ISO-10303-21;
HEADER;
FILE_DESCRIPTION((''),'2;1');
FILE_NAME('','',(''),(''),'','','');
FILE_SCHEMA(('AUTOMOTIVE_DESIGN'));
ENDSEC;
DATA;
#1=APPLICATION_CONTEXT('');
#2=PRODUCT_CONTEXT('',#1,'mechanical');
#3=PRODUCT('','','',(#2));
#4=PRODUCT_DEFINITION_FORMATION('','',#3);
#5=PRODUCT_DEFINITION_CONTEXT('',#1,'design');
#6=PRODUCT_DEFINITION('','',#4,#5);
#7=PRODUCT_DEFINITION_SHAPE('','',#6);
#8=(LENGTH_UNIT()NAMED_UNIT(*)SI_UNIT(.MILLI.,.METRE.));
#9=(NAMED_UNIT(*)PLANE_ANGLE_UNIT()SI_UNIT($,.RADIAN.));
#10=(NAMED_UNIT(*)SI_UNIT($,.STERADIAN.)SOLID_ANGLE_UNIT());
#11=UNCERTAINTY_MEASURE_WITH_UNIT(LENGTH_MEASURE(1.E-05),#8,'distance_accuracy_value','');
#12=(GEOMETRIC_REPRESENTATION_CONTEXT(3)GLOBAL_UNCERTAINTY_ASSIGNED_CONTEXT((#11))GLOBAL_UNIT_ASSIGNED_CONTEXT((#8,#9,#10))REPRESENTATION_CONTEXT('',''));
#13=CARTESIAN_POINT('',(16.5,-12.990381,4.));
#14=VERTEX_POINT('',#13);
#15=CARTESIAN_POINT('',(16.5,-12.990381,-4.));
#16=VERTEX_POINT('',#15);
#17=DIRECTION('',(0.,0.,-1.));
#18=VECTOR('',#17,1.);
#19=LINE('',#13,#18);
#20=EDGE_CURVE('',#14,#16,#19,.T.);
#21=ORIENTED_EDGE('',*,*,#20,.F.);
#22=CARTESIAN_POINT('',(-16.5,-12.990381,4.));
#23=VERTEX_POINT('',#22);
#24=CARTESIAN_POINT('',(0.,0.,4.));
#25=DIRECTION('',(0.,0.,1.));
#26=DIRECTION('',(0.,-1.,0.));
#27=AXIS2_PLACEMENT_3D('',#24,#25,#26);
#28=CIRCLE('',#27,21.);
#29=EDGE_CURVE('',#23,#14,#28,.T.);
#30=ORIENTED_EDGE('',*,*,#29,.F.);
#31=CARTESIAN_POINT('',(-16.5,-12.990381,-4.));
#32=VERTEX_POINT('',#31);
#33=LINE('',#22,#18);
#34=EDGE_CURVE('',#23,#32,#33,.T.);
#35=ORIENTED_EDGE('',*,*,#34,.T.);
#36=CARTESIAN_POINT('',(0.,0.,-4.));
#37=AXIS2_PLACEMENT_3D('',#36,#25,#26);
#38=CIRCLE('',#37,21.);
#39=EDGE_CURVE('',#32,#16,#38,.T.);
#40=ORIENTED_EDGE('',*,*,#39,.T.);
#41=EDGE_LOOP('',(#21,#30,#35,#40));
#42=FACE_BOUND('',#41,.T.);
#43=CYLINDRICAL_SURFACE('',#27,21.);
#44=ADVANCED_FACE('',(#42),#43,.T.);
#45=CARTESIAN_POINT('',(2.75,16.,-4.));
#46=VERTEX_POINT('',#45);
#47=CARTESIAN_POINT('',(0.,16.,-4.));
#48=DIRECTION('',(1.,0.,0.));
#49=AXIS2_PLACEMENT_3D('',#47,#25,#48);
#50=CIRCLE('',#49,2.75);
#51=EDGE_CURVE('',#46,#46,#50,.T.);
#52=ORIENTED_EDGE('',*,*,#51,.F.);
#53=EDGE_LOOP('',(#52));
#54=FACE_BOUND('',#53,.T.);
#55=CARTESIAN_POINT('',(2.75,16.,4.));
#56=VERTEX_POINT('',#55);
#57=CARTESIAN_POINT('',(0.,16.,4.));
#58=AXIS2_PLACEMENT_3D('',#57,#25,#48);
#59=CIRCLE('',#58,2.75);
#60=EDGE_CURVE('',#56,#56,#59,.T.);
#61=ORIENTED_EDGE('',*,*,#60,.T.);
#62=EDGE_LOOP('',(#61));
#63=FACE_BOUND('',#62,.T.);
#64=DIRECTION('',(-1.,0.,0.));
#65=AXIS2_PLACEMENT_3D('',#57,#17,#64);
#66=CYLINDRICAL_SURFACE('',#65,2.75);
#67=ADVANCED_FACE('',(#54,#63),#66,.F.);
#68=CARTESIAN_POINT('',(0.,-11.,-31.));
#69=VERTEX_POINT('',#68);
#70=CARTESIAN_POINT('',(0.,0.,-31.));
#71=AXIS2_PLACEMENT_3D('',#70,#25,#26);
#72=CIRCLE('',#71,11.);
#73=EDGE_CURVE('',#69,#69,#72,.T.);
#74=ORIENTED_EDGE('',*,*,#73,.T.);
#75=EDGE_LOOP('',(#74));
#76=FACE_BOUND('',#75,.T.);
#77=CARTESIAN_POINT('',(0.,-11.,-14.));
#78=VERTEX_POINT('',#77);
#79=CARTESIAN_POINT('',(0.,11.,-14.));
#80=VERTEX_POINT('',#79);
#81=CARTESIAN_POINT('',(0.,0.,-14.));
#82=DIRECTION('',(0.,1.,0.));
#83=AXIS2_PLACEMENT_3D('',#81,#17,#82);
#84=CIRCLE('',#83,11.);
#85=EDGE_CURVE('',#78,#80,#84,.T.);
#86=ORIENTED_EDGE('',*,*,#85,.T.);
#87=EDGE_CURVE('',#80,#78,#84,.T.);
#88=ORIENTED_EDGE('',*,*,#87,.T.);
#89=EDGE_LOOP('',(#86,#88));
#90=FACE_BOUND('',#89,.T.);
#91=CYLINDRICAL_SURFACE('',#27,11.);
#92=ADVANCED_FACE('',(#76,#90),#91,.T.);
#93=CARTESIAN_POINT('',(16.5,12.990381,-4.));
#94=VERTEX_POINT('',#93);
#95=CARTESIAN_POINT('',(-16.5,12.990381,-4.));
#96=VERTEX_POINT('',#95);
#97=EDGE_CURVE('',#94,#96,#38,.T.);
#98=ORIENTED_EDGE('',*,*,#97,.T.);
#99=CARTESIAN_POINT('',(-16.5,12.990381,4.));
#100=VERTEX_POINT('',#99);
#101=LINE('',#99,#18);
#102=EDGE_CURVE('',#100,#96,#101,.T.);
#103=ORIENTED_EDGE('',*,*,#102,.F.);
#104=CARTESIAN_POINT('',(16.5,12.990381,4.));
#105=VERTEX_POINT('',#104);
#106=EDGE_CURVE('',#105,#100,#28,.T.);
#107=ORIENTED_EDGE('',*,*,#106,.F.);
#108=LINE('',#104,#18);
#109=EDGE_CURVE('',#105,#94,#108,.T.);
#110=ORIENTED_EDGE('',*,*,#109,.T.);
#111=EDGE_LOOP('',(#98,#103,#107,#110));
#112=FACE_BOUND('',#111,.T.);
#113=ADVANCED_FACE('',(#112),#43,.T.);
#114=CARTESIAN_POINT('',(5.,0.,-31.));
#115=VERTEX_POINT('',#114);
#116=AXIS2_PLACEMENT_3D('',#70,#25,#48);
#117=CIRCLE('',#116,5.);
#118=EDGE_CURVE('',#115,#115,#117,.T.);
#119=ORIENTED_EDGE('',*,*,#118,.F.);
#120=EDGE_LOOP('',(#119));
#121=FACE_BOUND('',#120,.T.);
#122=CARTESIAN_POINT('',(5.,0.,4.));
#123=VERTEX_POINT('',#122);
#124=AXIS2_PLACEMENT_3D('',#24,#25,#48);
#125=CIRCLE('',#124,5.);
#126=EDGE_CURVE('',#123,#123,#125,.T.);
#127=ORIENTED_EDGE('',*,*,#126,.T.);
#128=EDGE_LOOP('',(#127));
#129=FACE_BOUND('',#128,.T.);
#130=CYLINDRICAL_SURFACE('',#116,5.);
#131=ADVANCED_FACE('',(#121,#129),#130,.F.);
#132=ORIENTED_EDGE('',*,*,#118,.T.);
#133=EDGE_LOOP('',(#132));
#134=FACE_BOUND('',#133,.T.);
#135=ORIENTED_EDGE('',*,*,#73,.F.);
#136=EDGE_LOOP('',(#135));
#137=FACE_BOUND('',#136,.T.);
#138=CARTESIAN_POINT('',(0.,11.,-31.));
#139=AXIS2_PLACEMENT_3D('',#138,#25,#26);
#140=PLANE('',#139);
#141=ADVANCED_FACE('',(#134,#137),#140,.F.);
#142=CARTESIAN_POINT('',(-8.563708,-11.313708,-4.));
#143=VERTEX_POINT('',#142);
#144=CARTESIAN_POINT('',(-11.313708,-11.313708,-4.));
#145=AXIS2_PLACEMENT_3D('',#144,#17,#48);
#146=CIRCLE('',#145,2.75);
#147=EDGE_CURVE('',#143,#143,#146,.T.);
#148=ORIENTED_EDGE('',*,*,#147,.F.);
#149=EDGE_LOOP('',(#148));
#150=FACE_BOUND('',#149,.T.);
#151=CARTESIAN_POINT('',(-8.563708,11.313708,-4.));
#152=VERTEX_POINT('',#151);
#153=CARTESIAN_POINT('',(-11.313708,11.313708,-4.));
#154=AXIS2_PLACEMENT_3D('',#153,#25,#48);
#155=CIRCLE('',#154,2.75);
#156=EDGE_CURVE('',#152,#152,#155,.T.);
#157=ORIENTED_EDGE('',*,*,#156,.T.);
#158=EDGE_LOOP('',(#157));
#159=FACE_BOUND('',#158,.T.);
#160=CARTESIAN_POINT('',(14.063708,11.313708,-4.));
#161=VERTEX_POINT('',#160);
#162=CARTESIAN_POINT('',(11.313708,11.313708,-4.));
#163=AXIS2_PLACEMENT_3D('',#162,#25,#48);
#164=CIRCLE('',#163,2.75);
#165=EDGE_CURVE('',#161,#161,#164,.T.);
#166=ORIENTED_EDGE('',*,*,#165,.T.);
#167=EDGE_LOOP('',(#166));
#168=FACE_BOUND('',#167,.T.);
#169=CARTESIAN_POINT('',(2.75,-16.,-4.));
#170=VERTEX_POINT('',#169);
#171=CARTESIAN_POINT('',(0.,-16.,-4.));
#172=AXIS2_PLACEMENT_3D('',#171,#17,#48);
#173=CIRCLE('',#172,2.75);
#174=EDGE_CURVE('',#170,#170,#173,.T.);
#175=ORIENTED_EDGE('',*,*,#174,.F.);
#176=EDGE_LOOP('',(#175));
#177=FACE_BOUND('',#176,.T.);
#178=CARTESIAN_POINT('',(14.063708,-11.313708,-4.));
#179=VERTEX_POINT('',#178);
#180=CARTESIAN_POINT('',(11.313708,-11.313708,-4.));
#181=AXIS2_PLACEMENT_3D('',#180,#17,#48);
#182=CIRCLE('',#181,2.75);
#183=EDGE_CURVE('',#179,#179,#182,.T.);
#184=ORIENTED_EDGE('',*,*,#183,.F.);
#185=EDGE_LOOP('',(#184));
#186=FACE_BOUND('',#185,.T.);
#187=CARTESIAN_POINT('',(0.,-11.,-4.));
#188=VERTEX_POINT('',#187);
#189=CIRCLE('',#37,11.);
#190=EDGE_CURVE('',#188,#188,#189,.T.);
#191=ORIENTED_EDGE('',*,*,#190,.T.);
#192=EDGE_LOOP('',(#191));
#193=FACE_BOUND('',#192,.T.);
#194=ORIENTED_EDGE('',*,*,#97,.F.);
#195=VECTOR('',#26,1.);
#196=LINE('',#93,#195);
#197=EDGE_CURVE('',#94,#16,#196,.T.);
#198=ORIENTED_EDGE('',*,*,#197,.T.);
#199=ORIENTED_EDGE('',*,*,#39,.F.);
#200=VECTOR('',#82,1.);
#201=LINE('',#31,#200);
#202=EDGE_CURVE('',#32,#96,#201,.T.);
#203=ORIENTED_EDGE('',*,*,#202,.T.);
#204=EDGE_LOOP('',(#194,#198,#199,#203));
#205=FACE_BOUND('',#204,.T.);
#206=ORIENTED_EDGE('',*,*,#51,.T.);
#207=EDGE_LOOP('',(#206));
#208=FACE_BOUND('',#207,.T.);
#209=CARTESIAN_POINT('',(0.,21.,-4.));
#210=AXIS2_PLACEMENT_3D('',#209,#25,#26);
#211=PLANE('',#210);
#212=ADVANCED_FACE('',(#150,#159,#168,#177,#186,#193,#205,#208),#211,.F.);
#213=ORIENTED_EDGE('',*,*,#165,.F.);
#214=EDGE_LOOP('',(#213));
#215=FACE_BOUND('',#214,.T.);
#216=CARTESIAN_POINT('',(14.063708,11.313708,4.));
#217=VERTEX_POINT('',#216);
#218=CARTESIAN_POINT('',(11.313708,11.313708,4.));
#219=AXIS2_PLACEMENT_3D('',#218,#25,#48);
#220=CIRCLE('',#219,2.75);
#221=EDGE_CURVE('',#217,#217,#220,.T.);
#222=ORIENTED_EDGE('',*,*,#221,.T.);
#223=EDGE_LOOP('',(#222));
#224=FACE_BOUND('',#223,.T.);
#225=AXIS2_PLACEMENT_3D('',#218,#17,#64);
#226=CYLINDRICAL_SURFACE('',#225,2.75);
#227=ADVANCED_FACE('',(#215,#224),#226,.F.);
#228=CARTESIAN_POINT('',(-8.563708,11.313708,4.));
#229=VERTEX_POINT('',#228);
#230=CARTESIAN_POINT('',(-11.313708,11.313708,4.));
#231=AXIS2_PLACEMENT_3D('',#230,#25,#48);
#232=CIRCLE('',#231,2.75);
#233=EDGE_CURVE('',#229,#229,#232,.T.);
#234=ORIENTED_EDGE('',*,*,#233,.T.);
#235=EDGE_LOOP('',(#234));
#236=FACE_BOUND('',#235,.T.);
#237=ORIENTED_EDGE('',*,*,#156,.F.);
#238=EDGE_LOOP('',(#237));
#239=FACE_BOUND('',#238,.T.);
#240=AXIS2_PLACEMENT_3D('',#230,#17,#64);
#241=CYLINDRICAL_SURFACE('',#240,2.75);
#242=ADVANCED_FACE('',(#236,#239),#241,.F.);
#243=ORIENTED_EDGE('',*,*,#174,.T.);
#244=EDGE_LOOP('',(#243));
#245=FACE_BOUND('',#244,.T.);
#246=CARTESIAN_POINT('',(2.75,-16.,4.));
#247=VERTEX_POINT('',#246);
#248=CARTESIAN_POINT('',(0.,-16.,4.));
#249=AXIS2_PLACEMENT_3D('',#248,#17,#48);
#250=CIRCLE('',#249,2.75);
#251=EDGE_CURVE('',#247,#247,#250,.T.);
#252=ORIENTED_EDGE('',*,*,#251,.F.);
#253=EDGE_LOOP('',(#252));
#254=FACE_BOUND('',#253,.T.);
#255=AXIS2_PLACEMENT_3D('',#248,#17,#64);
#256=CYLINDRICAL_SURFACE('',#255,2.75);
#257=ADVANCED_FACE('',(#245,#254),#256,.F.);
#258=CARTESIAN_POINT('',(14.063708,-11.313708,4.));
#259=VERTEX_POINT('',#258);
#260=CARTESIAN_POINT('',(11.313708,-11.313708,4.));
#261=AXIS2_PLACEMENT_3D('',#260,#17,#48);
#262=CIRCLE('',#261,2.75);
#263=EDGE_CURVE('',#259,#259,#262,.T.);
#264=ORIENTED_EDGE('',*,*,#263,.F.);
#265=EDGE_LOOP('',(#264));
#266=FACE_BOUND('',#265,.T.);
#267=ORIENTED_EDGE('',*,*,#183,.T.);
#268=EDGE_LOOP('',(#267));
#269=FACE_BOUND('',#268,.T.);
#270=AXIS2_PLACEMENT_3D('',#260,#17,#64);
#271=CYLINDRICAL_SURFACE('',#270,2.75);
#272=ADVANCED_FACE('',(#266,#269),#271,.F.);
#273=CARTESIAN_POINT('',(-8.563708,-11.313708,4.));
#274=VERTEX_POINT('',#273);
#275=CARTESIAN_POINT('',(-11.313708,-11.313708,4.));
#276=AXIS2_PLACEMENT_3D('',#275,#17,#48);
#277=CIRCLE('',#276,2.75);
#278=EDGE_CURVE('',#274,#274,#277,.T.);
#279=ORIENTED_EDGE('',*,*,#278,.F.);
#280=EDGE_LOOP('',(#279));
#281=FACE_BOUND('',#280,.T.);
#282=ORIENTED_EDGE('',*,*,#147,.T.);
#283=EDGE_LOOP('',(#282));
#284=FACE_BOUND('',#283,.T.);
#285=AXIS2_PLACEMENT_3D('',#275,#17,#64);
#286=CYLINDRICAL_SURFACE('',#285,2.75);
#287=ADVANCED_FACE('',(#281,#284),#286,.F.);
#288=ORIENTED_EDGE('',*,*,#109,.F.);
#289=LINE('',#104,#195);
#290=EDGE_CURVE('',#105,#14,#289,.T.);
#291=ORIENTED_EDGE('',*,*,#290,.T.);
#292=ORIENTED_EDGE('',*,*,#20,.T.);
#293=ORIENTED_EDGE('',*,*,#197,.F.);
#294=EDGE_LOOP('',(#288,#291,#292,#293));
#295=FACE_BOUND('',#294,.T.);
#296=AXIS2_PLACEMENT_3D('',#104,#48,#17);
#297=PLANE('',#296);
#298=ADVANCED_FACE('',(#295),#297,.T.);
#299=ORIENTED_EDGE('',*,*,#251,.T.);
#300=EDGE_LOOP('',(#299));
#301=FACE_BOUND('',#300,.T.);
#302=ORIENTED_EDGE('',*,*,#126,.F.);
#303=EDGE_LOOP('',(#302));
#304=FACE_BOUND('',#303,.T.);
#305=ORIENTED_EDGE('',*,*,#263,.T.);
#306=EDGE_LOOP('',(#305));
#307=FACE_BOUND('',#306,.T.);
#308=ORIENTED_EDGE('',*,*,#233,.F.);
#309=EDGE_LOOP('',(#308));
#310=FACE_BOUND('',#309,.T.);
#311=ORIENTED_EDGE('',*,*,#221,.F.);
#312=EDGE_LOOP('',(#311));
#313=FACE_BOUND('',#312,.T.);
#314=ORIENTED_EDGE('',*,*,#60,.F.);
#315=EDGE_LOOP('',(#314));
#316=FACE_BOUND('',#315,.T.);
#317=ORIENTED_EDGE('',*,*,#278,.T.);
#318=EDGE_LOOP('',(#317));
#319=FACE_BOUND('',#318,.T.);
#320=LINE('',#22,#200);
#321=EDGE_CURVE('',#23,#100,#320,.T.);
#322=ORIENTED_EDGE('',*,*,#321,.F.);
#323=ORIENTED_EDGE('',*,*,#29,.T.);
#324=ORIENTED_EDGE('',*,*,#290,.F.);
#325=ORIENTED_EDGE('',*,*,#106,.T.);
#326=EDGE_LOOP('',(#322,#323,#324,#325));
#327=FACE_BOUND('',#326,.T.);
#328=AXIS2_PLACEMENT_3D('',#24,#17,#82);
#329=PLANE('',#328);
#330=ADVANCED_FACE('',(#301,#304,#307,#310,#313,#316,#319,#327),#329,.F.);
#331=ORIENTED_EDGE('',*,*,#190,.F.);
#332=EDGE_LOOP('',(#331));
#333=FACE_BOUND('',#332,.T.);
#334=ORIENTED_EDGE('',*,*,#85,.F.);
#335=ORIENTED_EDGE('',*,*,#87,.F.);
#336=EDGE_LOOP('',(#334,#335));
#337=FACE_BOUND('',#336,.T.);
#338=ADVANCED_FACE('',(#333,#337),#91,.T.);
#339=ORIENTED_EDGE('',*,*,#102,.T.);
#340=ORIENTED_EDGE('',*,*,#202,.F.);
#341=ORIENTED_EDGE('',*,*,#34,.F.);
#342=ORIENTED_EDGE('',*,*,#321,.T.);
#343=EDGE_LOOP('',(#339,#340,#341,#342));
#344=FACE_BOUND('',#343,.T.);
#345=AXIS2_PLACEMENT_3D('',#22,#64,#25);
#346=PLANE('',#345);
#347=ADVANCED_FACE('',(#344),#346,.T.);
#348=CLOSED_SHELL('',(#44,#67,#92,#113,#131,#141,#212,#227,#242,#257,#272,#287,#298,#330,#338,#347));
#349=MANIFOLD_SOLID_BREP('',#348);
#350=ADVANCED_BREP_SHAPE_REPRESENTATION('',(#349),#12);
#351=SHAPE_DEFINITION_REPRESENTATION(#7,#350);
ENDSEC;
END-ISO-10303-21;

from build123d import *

# Parameters (mm, degrees)
CUT_EXTRUDE_START        = -4
CUT_EXTRUDE_7_DEPTH      = 8
SKETCH_5_R               = 2.75
CUT_EXTRUDE_2_DEPTH      = 8
SKETCH_6_R               = 2.75
CUT_EXTRUDE_3_DEPTH      = 8
CUT_EXTRUDE_5_DEPTH      = 41.917600125
CUT_EXTRUDE_5_DEPTH_BACK = 41.917600125
SKETCH_8_R               = 5
EXTRUDE_START            = -75
SKETCH_10_R              = 5
EXTRUDE_1_DEPTH          = 150


with BuildPart() as part:
    # 草图3 → 旋转1 (revolve)
    with BuildSketch(Plane(origin=(0, 0, 0), x_dir=(0, 0, -1), z_dir=(1, 0, 0)), mode=Mode.PRIVATE) as revolve_1_sk:
        Polygon((-4, 0), (-4, 21), (4, 21), (4, 11), (31, 11), (31, 0), align=None)
    revolve(revolve_1_sk.sketch.rotate(Axis((0, 0, 4), (0, 0, -1)), 180), axis=Axis((0, 0, 4), (0, 0, -1)))

    # 草图13 → 切除-拉伸7 (cut)
    with BuildSketch(Plane.XY.offset(CUT_EXTRUDE_START)):
        with BuildLine():
            Line((-16.5, -12.990381057), (-16.5, 12.990381057))
            ThreePointArc((-16.5, 12.990381057), (-21, 0), (-16.5, -12.990381057))
        make_face()
        with BuildLine():
            Line((16.5, 12.990381057), (16.5, -12.990381057))
            ThreePointArc((16.5, -12.990381057), (21, 0), (16.5, 12.990381057))
        make_face()
    extrude(amount=CUT_EXTRUDE_7_DEPTH, mode=Mode.SUBTRACT)

    # 草图5 → 切除-拉伸2 (cut)
    with BuildSketch(Plane.XY.offset(CUT_EXTRUDE_START)):
        with Locations((-11.313708499, 11.313708499)):
            Circle(SKETCH_5_R)
        with Locations((11.313708499, 11.313708499)):
            Circle(SKETCH_5_R)
    cut_extrude_2 = extrude(amount=CUT_EXTRUDE_2_DEPTH, mode=Mode.SUBTRACT)

    # 镜向1: 切除-拉伸2 across plane
    add(cut_extrude_2.mirror(Plane.ZX), mode=Mode.SUBTRACT)

    # 草图6 → 切除-拉伸3 (cut)
    with BuildSketch(Plane.XY.offset(CUT_EXTRUDE_START)):
        with Locations((0, 16)):
            Circle(SKETCH_6_R)
    cut_extrude_3 = extrude(amount=CUT_EXTRUDE_3_DEPTH, mode=Mode.SUBTRACT)

    # 镜向2: 切除-拉伸3 across plane
    add(cut_extrude_3.mirror(Plane.ZX), mode=Mode.SUBTRACT)

    # 草图8 → 切除-拉伸5 (cut, two sides: drawn at the far end of the back side and taken through both)
    with BuildSketch(Plane.XY.offset(-CUT_EXTRUDE_5_DEPTH_BACK)):
        Circle(SKETCH_8_R)
    extrude(amount=CUT_EXTRUDE_5_DEPTH + CUT_EXTRUDE_5_DEPTH_BACK, mode=Mode.SUBTRACT)


with BuildPart() as body_2:
    # 草图10 → 凸台-拉伸1 (new body)
    with BuildSketch(Plane.XY.offset(EXTRUDE_START)):
        Circle(SKETCH_10_R)
    extrude(amount=EXTRUDE_1_DEPTH)


solid = part.part
